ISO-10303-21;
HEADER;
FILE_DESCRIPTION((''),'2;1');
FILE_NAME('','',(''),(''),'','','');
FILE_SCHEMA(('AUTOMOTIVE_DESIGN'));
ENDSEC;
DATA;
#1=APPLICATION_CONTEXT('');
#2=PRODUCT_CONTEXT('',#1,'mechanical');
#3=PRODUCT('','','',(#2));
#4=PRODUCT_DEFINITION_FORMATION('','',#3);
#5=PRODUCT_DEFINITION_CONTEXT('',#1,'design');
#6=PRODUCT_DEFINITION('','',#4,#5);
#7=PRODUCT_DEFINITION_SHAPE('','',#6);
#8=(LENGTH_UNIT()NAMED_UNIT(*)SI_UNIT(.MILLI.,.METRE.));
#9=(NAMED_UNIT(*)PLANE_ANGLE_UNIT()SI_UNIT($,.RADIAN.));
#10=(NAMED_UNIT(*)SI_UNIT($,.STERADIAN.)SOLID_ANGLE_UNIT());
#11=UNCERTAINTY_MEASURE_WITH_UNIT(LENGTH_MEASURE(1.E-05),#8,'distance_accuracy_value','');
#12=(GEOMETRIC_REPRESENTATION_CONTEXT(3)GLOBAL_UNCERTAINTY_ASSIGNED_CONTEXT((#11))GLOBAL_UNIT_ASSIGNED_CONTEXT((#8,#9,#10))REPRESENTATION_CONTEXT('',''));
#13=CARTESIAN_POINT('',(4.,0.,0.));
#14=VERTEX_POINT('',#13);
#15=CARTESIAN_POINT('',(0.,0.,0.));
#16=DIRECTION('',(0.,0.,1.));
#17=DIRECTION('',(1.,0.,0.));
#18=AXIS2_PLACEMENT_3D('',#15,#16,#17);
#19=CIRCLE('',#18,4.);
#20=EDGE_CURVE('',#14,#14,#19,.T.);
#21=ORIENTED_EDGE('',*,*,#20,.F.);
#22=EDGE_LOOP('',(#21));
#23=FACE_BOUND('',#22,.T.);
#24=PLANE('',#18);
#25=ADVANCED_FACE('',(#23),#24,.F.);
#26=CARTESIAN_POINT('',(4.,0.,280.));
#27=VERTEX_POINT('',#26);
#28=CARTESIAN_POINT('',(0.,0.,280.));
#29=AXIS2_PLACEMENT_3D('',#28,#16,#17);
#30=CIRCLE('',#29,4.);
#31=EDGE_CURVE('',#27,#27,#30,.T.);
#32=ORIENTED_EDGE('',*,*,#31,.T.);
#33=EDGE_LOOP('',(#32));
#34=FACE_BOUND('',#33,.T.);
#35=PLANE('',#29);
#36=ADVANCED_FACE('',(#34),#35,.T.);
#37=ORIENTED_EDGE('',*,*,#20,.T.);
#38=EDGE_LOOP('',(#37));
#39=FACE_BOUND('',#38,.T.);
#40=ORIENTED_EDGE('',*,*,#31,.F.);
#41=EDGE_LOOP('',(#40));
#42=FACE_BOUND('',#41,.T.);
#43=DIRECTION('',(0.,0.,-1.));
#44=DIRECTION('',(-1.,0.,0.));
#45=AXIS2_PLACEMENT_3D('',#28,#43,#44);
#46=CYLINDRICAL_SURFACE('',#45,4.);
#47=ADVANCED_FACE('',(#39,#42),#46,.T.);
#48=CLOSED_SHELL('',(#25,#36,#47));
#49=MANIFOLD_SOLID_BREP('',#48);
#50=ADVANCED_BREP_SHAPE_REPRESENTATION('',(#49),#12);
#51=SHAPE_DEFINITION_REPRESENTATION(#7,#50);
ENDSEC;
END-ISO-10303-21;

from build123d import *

# Parameters (mm, degrees)
CROQUIS1_R              = 4
SALIENTE_EXTRUIR1_DEPTH = 280


with BuildPart() as part:
    # Croquis1 → Saliente-Extruir1 (new body)
    with BuildSketch(Plane.XY):
        Circle(CROQUIS1_R)
    extrude(amount=SALIENTE_EXTRUIR1_DEPTH)


solid = part.part
